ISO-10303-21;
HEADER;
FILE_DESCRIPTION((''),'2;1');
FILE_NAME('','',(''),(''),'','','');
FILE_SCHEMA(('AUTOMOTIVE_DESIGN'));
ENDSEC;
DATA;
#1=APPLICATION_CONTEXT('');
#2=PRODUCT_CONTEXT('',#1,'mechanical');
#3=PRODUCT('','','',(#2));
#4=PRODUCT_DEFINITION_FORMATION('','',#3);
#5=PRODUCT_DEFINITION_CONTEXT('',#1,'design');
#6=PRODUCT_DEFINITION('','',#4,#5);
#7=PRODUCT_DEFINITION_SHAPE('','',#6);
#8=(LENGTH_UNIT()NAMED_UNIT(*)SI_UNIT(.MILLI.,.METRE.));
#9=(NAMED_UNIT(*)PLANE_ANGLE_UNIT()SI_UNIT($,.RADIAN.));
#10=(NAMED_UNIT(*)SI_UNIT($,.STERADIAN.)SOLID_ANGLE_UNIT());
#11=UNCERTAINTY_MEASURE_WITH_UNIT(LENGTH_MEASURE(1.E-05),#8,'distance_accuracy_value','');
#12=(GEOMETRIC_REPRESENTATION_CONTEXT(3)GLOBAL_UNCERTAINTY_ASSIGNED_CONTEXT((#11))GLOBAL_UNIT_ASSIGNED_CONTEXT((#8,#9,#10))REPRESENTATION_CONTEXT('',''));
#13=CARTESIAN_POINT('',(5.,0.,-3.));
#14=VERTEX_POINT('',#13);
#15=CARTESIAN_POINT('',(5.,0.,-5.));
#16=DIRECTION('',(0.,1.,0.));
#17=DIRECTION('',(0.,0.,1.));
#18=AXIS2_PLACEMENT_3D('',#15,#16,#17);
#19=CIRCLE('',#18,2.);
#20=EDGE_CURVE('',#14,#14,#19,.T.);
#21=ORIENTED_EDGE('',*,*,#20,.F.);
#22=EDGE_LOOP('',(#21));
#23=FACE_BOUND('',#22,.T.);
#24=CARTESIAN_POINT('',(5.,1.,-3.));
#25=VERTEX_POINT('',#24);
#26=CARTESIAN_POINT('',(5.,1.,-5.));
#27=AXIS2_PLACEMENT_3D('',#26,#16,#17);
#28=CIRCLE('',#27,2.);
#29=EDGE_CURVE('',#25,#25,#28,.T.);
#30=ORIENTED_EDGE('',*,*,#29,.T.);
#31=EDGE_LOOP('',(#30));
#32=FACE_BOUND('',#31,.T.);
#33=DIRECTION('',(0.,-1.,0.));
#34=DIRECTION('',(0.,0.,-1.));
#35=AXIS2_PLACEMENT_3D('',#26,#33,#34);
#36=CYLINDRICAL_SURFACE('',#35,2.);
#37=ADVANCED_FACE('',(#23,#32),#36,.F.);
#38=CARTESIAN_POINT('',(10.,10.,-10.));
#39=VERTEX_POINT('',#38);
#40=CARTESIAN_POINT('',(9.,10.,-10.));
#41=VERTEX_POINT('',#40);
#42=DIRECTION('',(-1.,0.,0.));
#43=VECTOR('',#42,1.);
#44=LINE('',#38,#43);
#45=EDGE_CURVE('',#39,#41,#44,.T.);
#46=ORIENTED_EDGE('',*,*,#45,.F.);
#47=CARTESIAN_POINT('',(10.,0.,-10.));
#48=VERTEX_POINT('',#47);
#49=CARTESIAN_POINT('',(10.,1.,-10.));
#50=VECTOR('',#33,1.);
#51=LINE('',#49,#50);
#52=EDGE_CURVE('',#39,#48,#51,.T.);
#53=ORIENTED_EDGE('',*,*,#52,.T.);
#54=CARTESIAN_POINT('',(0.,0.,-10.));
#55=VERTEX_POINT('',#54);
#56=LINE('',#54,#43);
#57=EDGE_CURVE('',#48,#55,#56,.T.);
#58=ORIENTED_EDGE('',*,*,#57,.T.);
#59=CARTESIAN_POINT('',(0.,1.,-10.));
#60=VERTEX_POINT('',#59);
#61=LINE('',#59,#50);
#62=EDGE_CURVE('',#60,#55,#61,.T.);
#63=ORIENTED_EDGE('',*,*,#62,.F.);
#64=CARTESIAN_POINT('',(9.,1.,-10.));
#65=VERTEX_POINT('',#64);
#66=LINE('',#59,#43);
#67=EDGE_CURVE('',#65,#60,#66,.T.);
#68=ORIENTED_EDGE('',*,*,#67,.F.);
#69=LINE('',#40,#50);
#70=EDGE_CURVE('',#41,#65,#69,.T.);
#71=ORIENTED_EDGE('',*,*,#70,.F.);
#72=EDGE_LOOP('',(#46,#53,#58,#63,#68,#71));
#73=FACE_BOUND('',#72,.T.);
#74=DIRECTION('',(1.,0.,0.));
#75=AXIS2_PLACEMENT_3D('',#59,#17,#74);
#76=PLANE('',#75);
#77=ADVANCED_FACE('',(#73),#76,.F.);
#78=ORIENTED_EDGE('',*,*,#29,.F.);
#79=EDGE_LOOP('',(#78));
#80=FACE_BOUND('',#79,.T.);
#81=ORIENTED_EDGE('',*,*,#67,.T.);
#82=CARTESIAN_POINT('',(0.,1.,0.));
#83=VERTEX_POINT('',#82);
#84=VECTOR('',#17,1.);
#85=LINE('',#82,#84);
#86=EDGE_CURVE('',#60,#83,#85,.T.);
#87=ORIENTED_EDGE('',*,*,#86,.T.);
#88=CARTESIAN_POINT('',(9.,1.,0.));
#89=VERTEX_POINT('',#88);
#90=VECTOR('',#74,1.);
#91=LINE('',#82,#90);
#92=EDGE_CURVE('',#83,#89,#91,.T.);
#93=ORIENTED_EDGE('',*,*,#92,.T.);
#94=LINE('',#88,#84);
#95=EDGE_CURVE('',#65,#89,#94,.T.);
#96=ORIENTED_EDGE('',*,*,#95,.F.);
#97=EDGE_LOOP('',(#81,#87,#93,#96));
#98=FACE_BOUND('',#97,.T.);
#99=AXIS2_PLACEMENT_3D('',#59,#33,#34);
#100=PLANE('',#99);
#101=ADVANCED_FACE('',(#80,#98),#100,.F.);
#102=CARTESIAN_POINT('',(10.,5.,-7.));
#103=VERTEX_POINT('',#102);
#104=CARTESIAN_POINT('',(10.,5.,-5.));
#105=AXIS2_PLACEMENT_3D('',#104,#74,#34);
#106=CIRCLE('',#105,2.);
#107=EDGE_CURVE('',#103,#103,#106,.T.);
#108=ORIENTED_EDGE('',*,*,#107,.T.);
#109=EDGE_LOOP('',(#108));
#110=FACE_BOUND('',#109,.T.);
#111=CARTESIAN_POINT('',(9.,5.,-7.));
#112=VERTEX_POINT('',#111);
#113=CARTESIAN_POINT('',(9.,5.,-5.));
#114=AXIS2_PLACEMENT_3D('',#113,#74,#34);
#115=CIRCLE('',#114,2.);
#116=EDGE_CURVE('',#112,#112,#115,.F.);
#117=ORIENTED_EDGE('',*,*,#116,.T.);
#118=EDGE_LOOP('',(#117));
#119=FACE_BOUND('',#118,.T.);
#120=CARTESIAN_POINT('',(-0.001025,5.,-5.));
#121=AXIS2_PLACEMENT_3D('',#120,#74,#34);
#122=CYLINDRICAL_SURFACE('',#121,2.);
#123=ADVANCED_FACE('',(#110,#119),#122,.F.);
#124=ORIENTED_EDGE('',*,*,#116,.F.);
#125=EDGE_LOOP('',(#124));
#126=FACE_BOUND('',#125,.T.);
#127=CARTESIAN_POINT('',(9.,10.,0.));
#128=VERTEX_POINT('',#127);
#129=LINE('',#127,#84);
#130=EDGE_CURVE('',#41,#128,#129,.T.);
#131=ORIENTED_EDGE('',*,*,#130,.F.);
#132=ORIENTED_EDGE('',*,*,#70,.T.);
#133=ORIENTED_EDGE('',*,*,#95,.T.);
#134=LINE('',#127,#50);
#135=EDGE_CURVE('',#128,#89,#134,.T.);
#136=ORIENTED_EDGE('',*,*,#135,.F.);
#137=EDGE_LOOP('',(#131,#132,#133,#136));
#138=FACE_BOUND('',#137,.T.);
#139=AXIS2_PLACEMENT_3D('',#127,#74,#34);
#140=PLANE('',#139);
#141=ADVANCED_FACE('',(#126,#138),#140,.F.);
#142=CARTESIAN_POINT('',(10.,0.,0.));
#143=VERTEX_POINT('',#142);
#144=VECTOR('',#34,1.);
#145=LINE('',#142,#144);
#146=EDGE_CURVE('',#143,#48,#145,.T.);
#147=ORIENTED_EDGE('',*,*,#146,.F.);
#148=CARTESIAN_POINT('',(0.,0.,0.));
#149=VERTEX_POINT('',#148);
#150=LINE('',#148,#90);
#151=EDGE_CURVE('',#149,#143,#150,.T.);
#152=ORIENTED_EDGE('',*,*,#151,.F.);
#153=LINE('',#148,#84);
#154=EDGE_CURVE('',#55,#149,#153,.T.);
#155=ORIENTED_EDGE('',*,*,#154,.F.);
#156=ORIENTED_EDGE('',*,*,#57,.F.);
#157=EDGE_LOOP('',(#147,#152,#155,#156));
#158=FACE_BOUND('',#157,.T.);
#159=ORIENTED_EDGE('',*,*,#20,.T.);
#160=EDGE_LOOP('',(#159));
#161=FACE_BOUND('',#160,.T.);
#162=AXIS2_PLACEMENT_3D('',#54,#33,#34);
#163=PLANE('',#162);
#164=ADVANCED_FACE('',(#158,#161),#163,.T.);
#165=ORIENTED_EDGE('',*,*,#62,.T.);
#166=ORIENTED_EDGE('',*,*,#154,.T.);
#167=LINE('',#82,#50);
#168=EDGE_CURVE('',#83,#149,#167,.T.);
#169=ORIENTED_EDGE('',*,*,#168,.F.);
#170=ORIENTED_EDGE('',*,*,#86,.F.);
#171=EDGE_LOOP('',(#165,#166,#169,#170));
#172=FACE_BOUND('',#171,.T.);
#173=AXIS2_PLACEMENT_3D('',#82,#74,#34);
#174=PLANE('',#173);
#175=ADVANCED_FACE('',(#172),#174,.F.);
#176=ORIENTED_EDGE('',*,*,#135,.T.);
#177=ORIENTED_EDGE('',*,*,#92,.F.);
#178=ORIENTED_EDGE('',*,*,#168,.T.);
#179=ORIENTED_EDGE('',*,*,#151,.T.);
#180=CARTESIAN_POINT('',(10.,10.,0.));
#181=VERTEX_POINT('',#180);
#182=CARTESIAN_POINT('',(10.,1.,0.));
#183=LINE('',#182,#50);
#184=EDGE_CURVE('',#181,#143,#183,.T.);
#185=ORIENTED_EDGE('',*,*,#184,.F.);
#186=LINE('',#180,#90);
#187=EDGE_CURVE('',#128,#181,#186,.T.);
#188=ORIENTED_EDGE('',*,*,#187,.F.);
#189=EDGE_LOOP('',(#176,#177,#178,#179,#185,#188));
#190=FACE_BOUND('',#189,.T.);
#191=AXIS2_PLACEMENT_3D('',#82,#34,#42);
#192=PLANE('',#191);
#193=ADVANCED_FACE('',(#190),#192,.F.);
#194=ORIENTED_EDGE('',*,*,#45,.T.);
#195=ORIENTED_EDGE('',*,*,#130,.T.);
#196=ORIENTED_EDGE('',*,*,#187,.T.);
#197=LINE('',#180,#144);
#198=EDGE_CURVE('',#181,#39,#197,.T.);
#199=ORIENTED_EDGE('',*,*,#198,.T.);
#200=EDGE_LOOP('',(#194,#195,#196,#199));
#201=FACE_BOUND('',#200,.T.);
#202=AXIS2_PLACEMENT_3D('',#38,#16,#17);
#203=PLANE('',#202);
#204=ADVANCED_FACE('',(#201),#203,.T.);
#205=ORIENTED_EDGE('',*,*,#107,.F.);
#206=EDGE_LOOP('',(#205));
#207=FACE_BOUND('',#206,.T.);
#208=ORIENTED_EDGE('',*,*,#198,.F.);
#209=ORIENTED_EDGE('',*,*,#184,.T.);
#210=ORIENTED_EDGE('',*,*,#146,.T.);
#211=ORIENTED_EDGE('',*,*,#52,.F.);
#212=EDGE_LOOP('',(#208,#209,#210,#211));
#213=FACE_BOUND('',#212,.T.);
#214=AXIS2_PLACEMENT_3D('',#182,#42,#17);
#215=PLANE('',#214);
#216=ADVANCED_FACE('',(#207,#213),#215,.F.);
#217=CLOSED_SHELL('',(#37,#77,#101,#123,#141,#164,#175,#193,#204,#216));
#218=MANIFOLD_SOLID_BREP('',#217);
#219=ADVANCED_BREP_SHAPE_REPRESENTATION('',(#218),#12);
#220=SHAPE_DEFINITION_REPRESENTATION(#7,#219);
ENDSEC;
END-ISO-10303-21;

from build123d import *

# Parameters (mm, degrees)
ESQUISSE1_W      = 10
ESQUISSE1_H      = 10
ESQUISSE1_R      = 2
EXTRUSION1_DEPTH = 1
ESQUISSE2_W      = 1
ESQUISSE2_H      = 10
EXTRUSION2_DEPTH = 9
EXTRUSION3_REACH = 12
ESQUISSE3_R      = 2


with BuildPart() as part:
    # Esquisse1 → Extrusion1 (new body)
    with BuildSketch(Plane(origin=(0, 0, 0), x_dir=(1, 0, 0), z_dir=(0, 1, 0))):
        with Locations((5, 5)):
            Rectangle(ESQUISSE1_W, ESQUISSE1_H)
        with Locations((5, 5)):
            Circle(ESQUISSE1_R, mode=Mode.SUBTRACT)
    extrude(amount=EXTRUSION1_DEPTH)

    # Esquisse2 → Extrusion2 (add)
    with BuildSketch(Plane(origin=(0, 1, 0), x_dir=(1, 0, 0), z_dir=(0, 1, 0))):
        with Locations((9.5, 5)):
            Rectangle(ESQUISSE2_W, ESQUISSE2_H)
    extrude(amount=EXTRUSION2_DEPTH)

    # Esquisse3 → Extrusion3 (cut, up to next)
    with BuildSketch(Plane(origin=(10, 0, 0), x_dir=(0, 0, -1), z_dir=(1, 0, 0)), mode=Mode.PRIVATE) as extrusion3_sk1:
        with Locations((5, 5)):
            Circle(ESQUISSE3_R)
    extrusion3_tool1 = extrude(extrusion3_sk1.sketch, amount=-EXTRUSION3_REACH, mode=Mode.PRIVATE) & part.part
    add(extrusion3_tool1.solids().sort_by_distance((10, 5, -5))[0], mode=Mode.SUBTRACT)


solid = part.part
